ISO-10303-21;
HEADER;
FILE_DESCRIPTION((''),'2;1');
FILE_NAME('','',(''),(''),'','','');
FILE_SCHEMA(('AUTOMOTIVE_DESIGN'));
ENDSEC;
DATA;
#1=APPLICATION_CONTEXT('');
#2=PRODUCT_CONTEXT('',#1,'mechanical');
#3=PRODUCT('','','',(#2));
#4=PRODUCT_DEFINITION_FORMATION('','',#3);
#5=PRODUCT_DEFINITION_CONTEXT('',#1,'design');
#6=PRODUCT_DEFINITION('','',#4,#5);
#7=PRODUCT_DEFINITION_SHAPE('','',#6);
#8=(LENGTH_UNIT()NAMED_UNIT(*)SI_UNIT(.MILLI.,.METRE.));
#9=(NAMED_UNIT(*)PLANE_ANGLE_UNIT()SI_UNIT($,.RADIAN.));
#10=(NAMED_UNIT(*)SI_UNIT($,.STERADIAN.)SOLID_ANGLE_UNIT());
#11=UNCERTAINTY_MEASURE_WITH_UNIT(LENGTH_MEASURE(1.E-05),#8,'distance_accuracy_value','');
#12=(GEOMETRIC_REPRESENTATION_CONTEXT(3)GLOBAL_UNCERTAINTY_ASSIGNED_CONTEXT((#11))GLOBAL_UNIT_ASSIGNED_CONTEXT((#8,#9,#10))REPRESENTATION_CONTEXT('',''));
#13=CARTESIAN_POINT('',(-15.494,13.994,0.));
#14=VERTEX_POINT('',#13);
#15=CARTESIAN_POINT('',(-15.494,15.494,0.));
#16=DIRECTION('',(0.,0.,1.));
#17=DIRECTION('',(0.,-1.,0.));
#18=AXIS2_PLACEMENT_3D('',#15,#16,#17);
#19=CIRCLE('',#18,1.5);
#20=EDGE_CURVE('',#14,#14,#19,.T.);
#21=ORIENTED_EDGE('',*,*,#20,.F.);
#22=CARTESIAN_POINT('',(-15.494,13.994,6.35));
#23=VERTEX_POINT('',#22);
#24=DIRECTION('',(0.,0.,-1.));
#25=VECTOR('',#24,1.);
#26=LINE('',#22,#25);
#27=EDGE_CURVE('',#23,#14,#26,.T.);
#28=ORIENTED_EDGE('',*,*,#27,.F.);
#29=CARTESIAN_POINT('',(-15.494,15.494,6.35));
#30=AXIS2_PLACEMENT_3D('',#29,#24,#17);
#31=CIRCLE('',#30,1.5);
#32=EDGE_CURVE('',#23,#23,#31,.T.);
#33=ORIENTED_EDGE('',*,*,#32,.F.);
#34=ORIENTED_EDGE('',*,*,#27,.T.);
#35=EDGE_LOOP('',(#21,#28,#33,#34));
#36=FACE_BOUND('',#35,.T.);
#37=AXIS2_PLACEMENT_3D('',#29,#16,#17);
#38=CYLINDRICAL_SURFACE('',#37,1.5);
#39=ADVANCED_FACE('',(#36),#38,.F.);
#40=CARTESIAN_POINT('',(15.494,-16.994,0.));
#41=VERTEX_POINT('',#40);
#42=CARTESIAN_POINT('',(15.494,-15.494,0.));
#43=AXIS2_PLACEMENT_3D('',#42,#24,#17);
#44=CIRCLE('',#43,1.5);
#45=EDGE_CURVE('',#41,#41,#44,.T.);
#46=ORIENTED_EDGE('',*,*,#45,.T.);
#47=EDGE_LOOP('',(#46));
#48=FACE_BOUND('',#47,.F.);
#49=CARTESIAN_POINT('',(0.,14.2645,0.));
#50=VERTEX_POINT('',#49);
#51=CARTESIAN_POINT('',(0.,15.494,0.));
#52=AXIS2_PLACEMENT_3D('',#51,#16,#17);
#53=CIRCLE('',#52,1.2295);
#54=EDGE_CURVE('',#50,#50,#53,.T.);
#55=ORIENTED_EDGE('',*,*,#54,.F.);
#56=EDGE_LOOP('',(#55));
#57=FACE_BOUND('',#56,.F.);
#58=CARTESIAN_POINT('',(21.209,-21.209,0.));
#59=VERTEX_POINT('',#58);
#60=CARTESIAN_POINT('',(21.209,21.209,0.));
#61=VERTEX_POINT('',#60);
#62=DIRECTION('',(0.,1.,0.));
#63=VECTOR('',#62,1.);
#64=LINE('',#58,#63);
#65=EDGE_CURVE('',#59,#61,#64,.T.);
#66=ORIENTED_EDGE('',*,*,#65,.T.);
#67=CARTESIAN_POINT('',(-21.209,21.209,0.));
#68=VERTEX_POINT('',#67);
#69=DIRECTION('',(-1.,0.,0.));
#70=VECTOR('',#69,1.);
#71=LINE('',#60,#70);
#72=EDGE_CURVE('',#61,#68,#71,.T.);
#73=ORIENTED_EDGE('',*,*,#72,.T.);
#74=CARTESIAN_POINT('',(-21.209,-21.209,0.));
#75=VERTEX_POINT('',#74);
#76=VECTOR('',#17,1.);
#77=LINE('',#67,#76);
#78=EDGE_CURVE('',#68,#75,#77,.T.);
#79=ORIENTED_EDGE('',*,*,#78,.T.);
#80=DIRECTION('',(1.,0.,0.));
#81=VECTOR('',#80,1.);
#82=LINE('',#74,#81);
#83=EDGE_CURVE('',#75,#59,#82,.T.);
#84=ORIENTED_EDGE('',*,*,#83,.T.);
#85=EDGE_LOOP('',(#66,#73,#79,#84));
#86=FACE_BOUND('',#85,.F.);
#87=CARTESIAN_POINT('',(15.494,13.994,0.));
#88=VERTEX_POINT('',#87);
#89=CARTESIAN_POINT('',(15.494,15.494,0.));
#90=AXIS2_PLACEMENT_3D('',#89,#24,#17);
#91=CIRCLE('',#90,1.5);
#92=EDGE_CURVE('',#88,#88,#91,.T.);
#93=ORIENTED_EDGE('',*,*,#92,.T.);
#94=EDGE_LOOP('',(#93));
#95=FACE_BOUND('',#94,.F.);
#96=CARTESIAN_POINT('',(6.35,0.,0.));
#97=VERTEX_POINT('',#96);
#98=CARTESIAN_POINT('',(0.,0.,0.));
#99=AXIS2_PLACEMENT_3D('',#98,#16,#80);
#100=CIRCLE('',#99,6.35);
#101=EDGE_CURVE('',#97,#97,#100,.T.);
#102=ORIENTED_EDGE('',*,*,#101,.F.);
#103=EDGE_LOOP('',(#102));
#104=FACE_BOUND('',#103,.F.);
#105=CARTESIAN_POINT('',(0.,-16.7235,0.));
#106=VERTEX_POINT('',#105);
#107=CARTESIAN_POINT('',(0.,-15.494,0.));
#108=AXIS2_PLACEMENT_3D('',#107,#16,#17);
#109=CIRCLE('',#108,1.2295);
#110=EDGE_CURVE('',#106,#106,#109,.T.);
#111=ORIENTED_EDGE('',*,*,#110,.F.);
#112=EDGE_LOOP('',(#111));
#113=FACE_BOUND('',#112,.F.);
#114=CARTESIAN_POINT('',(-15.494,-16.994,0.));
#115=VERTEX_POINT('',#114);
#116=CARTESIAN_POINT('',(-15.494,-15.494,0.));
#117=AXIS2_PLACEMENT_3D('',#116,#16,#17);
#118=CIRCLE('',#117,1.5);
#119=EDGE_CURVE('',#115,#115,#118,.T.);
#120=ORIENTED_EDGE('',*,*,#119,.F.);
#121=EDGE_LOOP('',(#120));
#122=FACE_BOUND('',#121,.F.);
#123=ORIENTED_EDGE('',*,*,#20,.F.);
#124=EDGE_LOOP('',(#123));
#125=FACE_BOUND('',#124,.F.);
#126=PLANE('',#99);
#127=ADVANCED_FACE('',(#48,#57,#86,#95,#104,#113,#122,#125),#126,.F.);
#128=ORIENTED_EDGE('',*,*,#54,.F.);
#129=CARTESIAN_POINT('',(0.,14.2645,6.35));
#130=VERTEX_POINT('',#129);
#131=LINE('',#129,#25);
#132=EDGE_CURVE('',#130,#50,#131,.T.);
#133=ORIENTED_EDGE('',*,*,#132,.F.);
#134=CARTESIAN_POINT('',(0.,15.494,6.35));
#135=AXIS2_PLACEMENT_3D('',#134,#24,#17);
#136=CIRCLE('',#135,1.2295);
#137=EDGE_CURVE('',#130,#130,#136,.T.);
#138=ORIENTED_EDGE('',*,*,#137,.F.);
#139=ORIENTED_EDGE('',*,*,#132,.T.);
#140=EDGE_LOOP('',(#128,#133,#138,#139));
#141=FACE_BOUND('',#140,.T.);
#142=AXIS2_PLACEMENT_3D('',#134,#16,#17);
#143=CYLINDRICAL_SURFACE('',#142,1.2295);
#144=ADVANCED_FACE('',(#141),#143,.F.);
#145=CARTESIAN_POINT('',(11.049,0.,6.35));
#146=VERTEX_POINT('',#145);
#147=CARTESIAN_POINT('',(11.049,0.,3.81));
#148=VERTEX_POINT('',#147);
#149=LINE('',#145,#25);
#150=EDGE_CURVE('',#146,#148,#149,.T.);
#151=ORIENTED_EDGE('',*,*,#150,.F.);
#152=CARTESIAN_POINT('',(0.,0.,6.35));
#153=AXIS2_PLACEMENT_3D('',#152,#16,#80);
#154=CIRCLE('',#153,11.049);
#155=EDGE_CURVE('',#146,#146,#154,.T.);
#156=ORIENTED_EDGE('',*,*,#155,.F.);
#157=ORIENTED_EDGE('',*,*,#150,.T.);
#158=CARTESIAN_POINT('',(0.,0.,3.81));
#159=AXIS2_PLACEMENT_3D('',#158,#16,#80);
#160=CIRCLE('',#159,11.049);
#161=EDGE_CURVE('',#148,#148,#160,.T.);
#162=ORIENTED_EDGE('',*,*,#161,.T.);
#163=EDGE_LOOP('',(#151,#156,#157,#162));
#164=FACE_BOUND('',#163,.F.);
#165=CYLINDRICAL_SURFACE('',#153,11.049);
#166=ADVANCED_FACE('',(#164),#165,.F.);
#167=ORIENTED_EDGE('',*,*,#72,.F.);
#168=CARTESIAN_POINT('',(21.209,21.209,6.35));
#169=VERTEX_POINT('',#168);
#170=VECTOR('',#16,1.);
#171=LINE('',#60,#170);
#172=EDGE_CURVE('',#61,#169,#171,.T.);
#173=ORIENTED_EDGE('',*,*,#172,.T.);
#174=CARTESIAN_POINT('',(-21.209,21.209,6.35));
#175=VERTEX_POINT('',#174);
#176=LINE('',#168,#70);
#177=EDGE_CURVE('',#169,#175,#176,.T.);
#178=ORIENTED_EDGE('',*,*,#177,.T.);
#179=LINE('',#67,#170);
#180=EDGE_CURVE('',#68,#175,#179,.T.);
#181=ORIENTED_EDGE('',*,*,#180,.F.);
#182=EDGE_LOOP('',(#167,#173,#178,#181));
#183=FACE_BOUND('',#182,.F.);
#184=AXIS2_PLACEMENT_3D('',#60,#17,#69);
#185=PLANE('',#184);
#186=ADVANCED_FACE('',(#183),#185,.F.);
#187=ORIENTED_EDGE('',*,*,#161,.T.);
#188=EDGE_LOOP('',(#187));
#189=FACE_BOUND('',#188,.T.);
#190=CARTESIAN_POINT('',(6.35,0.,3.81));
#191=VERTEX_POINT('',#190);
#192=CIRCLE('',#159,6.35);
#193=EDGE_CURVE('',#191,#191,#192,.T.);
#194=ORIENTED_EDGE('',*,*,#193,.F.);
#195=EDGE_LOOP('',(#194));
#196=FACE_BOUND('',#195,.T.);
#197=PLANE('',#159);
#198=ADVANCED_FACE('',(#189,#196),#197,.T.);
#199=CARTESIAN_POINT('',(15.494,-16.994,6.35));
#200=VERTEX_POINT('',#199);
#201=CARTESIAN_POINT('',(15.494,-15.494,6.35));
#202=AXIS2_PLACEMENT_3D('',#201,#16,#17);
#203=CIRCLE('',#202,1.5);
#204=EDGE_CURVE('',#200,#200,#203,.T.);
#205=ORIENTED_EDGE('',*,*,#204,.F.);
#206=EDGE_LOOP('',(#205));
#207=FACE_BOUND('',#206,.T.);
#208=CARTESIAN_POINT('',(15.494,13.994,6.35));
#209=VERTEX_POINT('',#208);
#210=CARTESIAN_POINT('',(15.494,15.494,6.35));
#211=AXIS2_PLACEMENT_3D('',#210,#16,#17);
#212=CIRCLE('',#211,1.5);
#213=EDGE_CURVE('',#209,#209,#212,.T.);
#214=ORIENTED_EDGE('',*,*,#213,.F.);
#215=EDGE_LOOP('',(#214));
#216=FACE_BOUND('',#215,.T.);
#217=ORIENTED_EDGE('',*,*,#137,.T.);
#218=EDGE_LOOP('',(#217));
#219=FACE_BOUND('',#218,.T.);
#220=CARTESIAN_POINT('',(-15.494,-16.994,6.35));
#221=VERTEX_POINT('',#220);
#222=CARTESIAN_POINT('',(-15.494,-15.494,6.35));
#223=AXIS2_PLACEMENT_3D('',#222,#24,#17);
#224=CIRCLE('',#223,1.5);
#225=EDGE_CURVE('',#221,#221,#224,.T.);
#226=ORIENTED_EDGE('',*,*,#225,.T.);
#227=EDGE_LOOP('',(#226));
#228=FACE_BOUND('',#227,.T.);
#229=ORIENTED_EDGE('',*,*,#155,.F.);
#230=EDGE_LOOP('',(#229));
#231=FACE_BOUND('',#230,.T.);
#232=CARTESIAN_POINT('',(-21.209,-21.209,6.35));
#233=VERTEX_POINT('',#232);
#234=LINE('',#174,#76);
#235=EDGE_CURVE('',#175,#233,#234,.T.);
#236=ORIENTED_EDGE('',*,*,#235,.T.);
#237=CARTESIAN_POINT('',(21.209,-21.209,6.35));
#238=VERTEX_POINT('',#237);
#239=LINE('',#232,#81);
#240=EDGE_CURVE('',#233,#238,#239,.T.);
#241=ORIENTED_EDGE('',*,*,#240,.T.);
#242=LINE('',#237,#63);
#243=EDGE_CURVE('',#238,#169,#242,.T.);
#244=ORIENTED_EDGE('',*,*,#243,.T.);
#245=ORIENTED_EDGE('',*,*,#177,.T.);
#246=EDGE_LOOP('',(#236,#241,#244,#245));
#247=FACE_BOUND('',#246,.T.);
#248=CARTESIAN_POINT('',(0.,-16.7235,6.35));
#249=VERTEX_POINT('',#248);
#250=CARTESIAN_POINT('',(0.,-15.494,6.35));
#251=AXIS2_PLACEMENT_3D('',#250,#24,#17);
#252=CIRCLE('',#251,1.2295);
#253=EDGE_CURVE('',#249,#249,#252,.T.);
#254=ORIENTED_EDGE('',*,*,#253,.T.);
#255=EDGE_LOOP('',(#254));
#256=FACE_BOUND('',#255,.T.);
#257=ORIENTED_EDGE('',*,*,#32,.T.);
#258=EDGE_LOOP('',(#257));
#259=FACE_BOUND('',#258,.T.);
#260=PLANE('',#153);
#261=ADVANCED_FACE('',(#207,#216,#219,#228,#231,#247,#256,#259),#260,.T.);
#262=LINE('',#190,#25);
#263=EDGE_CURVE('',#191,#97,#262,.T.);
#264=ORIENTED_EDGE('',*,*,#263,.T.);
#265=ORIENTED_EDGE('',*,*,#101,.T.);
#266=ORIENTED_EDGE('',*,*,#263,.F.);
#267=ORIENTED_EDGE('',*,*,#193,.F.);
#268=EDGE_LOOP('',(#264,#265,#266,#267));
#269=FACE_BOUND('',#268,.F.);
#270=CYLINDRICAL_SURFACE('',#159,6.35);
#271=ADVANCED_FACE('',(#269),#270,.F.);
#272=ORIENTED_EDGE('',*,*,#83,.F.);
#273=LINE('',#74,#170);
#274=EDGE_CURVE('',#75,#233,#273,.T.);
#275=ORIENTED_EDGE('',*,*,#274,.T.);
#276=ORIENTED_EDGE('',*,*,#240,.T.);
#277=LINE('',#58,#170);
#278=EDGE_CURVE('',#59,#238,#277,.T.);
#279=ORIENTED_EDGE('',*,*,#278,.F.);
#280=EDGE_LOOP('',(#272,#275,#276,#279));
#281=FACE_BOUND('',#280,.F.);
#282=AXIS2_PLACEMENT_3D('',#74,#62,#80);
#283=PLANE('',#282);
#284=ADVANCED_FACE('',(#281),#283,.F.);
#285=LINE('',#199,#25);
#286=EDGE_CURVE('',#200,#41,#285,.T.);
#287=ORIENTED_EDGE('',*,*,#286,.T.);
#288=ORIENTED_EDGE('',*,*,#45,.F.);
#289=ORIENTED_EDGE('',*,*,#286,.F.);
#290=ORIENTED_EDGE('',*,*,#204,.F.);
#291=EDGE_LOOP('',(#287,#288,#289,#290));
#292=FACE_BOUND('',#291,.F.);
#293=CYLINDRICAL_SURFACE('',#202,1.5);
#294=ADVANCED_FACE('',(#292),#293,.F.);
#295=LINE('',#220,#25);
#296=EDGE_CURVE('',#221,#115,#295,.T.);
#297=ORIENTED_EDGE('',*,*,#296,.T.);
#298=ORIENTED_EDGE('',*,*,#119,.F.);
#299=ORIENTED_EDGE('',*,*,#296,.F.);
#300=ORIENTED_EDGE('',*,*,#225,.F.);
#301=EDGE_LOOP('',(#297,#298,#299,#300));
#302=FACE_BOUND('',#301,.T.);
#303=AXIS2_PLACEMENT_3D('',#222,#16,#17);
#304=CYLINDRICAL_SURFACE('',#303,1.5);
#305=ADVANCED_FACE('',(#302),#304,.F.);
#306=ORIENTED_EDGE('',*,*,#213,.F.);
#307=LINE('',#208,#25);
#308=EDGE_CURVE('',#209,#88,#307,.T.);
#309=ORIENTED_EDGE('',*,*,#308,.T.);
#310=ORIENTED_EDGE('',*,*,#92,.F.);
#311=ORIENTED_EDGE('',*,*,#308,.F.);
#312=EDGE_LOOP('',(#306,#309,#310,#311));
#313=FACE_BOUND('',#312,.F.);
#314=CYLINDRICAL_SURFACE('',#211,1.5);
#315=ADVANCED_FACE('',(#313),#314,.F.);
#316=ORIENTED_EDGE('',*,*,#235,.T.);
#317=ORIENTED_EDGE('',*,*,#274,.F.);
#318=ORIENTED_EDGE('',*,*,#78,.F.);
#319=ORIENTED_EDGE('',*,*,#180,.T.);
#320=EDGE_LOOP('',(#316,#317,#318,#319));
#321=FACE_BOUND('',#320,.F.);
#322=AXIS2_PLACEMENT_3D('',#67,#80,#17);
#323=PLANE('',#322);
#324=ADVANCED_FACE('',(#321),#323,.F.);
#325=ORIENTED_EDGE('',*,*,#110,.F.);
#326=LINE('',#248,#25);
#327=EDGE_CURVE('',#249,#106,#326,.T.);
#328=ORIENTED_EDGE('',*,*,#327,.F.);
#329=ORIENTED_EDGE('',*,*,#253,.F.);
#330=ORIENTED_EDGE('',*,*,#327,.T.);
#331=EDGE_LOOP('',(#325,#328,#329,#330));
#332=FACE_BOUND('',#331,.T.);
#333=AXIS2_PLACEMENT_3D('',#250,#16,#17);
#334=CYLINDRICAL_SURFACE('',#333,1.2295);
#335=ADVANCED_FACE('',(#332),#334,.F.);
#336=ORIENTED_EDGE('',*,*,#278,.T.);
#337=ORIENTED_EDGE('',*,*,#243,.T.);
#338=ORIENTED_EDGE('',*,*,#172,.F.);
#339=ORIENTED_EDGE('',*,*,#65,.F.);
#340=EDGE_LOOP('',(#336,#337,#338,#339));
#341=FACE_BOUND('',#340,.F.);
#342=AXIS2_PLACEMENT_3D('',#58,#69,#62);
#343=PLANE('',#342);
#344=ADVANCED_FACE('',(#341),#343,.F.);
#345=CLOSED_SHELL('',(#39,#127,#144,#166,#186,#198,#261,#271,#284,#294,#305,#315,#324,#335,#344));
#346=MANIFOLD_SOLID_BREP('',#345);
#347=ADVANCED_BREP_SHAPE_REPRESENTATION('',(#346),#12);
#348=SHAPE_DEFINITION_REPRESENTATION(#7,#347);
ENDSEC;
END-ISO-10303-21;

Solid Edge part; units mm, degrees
sketch "Sketch1" plane through (0, 0, 0) normal (0, 0, 1) x (1, 0, 0)
  line L0 (-21.209, -21.209) -> (21.209, -21.209)
  line L1 (21.209, -21.209) -> (21.209, 21.209)
  line L2 (21.209, 21.209) -> (-21.209, 21.209)
  line L3 (-21.209, 21.209) -> (-21.209, -21.209)
  dimension "D1" = 42.418
  dimension "D2" = 42.418
extrude "Protrusion1" add sketch "Sketch1" along normal blind 6.35
sketch "Sketch2" plane through (0, 0, 6.35) normal (0, 0, 1) x (1, 0, 0)
  circle A0 centre (0, 0) radius 11.049
extrude "MotorMountHole" cut sketch "Sketch2" against normal blind 2.54
sketch "Sketch3" plane through (0, 0, 3.81) normal (0, 0, 1) x (1, 0, 0)
  circle A0 centre (0, 0) radius 6.35
extrude "ShaftHole" cut sketch "Sketch3" against normal blind 25.4
hole "Hole1" at (-15.494, -15.494, 6.35) direction (0, 0, -1) diameter 3 end up to next
hole "Hole2" at (-15.494, 15.494, 6.35) direction (0, 0, -1) diameter 3 end up to next
mirror "Mirror1" about plane through (0, 0, 0) normal (1, 0, 0) of "Hole1", "Hole2"
hole "Hole_5" at (0, 15.494, 6.35) direction (0, 0, -1) diameter 2.459 end up to next thread major 3 thread length 50.8
hole "Hole5" at (0, -15.494, 6.35) direction (0, 0, -1) diameter 2.459 end up to next thread major 3 thread length 50.8
properties material "Aluminum, 6061-T6"
